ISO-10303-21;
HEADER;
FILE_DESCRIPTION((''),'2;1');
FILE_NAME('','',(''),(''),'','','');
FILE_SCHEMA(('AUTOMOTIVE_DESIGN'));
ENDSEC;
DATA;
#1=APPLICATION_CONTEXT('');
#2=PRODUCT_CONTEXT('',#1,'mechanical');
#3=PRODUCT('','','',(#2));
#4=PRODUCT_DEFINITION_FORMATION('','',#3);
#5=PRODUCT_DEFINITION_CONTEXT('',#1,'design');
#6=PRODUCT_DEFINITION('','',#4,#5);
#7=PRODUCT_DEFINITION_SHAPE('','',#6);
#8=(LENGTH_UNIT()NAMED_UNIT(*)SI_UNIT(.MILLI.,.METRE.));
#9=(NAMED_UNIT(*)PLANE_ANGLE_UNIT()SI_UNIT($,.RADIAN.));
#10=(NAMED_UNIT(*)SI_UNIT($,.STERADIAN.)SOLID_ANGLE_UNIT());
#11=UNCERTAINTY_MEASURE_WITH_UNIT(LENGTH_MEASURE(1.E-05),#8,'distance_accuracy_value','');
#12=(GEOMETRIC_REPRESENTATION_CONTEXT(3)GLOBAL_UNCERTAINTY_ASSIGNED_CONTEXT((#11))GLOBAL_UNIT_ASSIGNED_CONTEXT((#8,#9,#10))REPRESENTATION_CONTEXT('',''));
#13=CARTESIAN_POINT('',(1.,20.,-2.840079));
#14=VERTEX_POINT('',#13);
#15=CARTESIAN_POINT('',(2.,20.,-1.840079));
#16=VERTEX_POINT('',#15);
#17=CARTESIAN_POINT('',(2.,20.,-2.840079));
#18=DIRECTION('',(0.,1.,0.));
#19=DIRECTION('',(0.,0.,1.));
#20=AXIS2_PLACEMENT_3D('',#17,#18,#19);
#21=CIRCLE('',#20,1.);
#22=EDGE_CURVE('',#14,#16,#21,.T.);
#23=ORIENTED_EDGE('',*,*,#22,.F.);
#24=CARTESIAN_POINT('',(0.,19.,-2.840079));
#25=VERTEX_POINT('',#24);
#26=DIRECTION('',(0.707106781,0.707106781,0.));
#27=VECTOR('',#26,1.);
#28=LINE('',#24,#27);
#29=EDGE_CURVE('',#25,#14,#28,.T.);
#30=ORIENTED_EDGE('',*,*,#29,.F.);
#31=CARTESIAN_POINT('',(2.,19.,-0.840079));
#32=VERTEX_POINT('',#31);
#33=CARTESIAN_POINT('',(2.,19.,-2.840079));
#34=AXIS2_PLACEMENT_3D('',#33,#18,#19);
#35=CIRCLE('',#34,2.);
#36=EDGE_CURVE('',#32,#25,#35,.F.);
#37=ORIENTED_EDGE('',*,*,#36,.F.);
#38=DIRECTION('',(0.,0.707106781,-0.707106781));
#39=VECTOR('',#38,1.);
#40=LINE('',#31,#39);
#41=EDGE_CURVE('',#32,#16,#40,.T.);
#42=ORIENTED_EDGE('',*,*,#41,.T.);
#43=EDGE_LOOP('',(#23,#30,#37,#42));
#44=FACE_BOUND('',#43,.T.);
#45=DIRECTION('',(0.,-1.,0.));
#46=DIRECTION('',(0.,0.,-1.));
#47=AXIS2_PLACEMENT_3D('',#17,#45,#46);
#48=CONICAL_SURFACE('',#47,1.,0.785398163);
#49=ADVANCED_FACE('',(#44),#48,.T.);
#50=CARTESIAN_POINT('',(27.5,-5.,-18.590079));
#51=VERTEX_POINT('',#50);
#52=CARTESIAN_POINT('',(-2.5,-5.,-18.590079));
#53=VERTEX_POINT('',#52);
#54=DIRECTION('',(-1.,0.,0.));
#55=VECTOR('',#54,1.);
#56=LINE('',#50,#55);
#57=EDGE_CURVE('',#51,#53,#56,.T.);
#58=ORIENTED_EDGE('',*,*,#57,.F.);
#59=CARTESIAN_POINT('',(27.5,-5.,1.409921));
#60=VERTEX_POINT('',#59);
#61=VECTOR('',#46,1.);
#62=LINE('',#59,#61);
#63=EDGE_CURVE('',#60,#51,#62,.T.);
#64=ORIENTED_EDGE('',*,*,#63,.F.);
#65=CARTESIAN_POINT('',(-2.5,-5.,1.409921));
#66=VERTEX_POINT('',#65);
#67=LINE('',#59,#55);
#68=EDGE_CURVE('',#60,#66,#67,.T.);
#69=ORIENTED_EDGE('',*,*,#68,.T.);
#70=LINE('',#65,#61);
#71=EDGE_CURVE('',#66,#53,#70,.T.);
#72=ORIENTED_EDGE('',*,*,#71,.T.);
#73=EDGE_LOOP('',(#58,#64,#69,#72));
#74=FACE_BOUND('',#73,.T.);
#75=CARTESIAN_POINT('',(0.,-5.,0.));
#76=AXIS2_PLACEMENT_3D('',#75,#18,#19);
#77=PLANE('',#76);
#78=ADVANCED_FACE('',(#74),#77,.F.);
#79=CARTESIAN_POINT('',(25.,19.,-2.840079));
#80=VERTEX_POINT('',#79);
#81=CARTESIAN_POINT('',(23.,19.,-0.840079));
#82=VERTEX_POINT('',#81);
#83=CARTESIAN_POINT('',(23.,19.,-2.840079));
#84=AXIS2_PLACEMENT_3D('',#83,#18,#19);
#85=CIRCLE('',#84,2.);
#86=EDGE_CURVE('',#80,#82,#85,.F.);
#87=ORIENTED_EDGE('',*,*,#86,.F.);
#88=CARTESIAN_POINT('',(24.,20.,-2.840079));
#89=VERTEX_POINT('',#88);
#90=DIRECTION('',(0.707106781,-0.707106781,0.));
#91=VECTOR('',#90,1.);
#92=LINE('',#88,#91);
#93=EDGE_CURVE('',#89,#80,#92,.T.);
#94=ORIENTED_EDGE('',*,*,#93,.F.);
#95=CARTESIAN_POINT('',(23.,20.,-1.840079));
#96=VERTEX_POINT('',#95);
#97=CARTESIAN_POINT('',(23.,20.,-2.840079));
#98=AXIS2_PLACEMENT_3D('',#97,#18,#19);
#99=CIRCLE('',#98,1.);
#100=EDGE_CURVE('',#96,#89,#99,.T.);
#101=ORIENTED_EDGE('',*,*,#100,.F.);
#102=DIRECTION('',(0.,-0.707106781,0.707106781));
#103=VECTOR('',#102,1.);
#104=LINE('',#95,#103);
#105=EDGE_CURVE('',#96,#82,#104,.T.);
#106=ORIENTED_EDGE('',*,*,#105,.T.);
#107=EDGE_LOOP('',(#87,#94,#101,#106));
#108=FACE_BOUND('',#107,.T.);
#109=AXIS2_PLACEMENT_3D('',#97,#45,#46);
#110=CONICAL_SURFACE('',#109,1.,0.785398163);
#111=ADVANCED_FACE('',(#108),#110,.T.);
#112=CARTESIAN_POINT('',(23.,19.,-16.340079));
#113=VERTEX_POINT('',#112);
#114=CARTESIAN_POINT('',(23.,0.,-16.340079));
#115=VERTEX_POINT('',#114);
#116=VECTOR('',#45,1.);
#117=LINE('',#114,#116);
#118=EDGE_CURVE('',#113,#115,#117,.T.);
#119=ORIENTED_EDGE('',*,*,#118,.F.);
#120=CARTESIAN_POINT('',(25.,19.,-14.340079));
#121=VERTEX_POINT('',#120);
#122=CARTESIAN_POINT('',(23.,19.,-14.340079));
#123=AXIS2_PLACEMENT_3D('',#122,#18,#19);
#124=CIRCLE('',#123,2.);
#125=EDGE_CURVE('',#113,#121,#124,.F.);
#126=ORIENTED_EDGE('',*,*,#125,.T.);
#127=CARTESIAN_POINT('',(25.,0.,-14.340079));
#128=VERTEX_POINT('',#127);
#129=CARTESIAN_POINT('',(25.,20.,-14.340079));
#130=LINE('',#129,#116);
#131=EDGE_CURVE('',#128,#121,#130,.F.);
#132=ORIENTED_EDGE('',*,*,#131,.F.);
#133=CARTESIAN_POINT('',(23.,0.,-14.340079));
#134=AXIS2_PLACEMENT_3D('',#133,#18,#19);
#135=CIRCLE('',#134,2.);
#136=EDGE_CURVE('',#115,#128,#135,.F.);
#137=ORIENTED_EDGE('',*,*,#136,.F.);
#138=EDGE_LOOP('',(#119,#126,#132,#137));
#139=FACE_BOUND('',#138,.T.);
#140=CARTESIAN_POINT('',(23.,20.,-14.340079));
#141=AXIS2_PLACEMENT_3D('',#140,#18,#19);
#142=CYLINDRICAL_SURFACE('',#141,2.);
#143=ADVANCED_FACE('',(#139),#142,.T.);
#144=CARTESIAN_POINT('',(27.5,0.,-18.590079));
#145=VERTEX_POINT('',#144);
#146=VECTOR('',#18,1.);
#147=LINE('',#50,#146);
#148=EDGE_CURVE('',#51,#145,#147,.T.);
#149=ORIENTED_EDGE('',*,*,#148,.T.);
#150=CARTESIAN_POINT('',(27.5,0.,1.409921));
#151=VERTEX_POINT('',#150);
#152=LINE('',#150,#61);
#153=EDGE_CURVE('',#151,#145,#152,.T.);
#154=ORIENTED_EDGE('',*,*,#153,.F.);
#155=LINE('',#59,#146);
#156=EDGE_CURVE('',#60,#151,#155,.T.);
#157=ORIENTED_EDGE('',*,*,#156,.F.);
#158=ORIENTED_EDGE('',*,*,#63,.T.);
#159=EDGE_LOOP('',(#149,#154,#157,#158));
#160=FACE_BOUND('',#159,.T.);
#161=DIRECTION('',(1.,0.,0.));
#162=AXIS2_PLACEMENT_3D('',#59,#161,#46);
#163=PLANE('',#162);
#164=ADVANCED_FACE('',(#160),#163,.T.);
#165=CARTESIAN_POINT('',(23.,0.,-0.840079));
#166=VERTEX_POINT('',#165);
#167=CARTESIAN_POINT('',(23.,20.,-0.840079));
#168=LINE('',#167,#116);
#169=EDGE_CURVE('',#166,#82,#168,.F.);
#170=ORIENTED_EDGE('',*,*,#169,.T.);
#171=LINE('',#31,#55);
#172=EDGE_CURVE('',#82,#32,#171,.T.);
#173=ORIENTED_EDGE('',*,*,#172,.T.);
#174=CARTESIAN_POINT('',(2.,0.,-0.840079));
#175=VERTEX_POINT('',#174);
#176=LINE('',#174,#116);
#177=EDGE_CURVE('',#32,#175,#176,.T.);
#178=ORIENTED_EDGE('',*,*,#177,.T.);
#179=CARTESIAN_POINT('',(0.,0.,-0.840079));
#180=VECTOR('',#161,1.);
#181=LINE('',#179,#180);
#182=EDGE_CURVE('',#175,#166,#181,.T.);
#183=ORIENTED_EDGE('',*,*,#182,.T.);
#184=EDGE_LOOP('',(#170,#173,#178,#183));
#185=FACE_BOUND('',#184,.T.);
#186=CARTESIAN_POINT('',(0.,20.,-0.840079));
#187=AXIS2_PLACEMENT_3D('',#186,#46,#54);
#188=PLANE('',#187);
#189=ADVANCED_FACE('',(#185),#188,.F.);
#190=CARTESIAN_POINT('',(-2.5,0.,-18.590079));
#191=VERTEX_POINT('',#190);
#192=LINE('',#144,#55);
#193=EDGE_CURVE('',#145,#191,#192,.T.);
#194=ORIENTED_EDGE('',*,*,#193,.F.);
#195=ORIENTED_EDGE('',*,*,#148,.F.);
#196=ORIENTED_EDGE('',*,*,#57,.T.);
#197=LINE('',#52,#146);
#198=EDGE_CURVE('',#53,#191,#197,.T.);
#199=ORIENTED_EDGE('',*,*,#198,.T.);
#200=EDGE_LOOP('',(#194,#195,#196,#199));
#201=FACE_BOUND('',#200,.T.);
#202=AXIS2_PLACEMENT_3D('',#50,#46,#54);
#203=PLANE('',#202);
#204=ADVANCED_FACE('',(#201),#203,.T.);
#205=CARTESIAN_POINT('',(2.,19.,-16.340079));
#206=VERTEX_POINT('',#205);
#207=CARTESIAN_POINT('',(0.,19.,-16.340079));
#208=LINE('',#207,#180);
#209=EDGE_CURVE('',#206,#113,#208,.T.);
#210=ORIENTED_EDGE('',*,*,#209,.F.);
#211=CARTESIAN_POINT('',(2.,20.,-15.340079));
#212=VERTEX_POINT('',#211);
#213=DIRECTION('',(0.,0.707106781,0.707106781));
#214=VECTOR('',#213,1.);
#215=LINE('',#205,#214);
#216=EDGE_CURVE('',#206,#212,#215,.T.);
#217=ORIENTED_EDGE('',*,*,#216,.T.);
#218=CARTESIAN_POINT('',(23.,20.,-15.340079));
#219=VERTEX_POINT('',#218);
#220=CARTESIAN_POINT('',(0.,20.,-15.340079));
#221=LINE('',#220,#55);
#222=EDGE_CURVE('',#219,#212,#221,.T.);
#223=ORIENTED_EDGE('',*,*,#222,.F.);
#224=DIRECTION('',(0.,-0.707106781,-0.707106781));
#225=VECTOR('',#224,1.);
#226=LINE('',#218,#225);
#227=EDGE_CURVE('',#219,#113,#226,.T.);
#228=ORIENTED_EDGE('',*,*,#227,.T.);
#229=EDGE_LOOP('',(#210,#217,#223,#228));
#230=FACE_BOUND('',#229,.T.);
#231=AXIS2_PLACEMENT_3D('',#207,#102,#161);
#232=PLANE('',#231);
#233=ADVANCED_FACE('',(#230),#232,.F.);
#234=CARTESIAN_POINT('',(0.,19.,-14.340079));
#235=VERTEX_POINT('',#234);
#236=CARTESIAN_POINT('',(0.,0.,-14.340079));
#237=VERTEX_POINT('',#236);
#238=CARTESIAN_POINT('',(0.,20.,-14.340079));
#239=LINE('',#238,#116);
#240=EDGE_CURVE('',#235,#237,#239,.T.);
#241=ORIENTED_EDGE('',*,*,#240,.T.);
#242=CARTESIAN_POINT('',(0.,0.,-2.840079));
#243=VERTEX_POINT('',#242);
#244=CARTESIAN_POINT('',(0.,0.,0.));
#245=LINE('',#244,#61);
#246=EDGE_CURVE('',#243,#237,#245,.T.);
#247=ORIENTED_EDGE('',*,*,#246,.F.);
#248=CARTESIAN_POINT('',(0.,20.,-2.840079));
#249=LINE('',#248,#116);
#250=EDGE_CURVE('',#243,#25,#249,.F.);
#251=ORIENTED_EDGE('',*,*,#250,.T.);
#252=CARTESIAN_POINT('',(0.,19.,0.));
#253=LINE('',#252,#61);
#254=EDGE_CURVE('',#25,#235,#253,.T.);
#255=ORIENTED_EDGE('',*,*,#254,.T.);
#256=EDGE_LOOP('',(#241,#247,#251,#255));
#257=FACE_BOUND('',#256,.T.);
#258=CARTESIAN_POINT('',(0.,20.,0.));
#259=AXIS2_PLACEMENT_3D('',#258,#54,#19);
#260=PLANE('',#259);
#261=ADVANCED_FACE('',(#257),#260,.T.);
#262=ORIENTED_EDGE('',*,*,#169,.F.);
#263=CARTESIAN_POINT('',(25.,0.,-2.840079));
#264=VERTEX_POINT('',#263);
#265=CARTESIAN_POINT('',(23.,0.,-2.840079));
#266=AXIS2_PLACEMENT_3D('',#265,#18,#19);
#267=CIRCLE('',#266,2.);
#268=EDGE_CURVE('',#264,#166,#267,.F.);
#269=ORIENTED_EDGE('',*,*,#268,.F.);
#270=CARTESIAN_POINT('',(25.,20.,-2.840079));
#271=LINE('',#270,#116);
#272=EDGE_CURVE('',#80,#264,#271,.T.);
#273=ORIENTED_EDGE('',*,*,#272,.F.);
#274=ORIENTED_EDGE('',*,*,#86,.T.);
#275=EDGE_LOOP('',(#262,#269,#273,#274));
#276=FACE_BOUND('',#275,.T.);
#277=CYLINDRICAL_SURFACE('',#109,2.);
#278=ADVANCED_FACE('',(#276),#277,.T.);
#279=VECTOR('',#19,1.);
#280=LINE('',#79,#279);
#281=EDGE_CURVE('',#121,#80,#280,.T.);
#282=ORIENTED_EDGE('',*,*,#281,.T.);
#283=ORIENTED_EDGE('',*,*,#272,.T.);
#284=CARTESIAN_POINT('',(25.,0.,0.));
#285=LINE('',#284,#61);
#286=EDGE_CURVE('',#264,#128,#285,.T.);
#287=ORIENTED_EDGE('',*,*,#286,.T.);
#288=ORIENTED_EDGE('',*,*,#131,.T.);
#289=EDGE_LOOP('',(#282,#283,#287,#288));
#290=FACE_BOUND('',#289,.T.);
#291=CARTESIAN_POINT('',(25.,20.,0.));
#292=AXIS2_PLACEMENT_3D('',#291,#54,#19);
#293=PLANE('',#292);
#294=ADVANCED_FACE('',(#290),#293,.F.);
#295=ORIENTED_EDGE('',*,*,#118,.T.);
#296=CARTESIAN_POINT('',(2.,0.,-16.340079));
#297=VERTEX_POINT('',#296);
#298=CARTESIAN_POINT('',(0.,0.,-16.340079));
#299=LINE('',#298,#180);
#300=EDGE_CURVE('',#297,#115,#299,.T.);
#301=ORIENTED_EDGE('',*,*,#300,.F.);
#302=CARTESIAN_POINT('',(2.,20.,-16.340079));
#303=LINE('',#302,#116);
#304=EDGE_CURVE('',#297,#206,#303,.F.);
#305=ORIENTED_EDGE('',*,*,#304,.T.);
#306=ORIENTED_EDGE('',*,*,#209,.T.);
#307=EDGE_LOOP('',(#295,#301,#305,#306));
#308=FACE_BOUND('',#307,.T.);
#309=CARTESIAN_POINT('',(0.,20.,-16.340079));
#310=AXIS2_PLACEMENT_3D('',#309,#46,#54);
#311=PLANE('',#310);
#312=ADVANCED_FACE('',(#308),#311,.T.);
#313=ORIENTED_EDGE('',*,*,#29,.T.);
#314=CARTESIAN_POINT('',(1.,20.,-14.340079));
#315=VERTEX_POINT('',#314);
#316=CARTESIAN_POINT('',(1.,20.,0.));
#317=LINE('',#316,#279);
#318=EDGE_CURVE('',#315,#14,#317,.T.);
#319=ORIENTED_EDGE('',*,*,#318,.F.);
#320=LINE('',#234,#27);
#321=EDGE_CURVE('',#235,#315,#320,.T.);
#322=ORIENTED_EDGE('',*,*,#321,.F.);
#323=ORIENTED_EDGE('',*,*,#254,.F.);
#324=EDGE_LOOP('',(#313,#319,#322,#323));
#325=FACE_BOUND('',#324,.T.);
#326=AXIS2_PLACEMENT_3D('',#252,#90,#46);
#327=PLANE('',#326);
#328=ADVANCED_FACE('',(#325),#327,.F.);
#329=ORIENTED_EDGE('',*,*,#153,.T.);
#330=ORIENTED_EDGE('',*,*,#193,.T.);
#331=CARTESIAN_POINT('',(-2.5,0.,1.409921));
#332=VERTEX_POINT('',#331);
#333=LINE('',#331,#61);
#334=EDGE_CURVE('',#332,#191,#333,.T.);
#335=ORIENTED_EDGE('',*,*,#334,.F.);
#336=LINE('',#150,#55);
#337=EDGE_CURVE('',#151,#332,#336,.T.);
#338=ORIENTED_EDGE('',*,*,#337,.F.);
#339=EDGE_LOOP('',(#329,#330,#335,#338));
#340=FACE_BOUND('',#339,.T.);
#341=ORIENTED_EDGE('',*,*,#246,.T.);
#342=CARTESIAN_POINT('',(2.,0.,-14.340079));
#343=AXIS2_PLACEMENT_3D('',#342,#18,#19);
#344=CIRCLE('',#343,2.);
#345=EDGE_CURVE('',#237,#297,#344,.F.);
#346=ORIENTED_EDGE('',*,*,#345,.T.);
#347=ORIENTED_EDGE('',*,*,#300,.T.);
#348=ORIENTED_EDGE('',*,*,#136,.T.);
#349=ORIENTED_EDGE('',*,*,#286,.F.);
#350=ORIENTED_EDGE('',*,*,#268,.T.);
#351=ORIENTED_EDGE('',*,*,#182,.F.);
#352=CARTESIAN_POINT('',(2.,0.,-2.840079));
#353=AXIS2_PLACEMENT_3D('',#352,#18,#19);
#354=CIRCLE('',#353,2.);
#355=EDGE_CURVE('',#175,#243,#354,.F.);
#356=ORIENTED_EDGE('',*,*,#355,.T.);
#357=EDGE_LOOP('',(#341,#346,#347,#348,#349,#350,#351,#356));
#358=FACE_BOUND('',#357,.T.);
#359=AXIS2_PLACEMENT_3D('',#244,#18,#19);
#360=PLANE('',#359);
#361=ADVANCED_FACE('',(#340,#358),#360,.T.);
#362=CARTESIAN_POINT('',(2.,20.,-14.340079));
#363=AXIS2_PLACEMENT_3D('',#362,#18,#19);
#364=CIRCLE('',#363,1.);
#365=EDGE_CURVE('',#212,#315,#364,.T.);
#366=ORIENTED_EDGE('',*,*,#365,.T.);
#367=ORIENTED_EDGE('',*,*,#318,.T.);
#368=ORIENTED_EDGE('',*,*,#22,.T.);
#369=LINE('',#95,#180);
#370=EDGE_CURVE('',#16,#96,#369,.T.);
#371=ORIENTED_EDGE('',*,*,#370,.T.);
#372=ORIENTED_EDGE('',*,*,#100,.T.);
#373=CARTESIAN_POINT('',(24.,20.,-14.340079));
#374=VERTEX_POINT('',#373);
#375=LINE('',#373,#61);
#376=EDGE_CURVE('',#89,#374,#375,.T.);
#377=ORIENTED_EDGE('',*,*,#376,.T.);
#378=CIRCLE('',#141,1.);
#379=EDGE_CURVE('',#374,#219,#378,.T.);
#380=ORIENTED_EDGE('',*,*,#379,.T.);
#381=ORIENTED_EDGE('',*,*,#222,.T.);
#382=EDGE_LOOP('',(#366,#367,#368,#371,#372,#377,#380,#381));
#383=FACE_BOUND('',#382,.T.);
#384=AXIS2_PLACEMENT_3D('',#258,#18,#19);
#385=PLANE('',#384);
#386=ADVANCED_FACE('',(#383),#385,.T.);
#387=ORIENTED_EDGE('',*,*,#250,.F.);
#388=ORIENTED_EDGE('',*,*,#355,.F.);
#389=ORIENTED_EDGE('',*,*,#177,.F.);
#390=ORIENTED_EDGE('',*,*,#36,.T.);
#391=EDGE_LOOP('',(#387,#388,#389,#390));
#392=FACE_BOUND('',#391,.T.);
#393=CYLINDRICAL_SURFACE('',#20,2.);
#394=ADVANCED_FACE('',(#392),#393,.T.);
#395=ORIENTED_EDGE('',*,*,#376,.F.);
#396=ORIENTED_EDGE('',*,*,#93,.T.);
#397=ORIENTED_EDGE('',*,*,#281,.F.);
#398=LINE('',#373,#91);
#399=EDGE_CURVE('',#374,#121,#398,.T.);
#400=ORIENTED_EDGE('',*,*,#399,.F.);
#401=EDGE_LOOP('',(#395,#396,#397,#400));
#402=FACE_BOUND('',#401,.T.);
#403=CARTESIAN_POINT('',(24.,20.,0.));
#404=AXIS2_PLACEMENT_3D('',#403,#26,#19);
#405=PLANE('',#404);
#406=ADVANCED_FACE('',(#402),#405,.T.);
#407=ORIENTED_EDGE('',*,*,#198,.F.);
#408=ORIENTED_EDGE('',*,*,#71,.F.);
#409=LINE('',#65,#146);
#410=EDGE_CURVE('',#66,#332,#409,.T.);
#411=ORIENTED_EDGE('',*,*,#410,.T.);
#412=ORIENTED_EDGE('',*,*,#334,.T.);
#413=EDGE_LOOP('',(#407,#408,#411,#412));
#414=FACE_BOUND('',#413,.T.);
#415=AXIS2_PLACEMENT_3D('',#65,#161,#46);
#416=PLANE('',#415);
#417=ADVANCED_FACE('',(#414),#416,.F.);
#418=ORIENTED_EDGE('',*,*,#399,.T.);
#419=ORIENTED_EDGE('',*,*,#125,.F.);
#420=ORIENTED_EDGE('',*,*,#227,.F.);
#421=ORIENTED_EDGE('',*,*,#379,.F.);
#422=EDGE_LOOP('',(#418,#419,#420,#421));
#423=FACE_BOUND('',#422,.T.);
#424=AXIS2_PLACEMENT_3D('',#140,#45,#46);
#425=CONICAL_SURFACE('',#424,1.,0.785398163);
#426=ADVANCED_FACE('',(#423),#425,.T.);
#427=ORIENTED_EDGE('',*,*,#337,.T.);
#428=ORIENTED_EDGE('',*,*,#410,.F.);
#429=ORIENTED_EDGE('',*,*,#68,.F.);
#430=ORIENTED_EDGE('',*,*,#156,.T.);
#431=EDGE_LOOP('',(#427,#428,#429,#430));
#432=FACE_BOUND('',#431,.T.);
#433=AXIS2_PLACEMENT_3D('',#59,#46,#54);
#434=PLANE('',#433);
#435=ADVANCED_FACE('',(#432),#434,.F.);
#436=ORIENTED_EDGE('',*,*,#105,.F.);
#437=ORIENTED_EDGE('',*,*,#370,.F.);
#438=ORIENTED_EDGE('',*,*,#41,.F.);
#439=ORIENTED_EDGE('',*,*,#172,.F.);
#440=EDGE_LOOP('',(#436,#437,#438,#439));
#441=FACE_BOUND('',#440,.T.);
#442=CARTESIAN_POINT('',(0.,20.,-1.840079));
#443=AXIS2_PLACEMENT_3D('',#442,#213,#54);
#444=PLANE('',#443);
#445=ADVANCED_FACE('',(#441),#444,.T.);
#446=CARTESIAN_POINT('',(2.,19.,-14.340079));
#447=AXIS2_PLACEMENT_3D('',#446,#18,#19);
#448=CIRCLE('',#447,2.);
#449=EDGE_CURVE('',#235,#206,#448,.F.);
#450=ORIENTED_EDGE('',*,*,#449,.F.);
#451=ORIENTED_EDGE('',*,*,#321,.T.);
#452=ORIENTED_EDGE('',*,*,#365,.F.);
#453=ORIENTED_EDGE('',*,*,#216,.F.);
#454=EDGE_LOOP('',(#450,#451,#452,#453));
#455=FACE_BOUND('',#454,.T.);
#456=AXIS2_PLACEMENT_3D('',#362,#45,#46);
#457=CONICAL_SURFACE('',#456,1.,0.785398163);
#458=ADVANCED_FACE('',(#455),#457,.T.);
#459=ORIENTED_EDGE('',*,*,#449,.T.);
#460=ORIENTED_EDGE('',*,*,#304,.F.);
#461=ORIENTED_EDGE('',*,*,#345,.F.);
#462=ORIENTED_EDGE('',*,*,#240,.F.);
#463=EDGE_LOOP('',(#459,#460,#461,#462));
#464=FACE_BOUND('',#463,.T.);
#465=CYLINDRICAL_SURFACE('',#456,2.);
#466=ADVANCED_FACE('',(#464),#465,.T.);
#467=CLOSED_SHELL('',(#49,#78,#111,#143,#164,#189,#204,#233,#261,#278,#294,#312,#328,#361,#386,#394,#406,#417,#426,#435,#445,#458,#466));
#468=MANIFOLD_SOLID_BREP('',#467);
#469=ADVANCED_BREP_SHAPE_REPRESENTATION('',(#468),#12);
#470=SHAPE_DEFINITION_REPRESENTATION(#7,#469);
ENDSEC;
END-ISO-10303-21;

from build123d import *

# Parameters (mm, degrees)
JIG_SKETCH_W   = 25
JIG_SKETCH_H   = 15.5
INSERT_DEPTH   = 20
SKETCH1_3_W    = 30
SKETCH1_3_H    = 20
BASE_DEPTH     = 5
ROUND_EDGES_R  = 2
CHAMFER_2_SIZE = 1


with BuildPart() as part:
    # jig_sketch → insert (new body)
    with BuildSketch(Plane(origin=(0, 0, 0), x_dir=(1, 0, 0), z_dir=(0, 1, 0))):
        with Locations((12.5, 8.590078954)):
            Rectangle(JIG_SKETCH_W, JIG_SKETCH_H)
    extrude(amount=INSERT_DEPTH)

    # Sketch1<3> → base (add)
    with BuildSketch(Plane(origin=(0, 0, 0), x_dir=(1, 0, 0), z_dir=(0, 1, 0))):
        with Locations((12.5, 8.590078954)):
            Rectangle(SKETCH1_3_W, SKETCH1_3_H)
    extrude(amount=-BASE_DEPTH)

    # round_edges
    round_edges_edges = [part.edges().sort_by_distance(p)[0] for p in [
        (0, 10, -0.840078954),
        (0, 10, -16.340078954),
        (25, 10, -16.340078954),
        (25, 10, -0.840078954),
    ]]
    fillet(round_edges_edges, radius=ROUND_EDGES_R)

    # chamfer 2
    chamfer_2_edges = [part.edges().sort_by_distance(p)[0] for p in [
        (25, 20, -8.590078954),
        (12.5, 20, -0.840078954),
        (12.5, 20, -16.340078954),
        (0, 20, -8.590078954),
        (0.585786438, 20, -1.425865392),
        (0.585786438, 20, -15.754292517),
        (24.414213562, 20, -15.754292517),
        (24.414213562, 20, -1.425865392),
    ]]
    chamfer(chamfer_2_edges, length=CHAMFER_2_SIZE)


solid = part.part
